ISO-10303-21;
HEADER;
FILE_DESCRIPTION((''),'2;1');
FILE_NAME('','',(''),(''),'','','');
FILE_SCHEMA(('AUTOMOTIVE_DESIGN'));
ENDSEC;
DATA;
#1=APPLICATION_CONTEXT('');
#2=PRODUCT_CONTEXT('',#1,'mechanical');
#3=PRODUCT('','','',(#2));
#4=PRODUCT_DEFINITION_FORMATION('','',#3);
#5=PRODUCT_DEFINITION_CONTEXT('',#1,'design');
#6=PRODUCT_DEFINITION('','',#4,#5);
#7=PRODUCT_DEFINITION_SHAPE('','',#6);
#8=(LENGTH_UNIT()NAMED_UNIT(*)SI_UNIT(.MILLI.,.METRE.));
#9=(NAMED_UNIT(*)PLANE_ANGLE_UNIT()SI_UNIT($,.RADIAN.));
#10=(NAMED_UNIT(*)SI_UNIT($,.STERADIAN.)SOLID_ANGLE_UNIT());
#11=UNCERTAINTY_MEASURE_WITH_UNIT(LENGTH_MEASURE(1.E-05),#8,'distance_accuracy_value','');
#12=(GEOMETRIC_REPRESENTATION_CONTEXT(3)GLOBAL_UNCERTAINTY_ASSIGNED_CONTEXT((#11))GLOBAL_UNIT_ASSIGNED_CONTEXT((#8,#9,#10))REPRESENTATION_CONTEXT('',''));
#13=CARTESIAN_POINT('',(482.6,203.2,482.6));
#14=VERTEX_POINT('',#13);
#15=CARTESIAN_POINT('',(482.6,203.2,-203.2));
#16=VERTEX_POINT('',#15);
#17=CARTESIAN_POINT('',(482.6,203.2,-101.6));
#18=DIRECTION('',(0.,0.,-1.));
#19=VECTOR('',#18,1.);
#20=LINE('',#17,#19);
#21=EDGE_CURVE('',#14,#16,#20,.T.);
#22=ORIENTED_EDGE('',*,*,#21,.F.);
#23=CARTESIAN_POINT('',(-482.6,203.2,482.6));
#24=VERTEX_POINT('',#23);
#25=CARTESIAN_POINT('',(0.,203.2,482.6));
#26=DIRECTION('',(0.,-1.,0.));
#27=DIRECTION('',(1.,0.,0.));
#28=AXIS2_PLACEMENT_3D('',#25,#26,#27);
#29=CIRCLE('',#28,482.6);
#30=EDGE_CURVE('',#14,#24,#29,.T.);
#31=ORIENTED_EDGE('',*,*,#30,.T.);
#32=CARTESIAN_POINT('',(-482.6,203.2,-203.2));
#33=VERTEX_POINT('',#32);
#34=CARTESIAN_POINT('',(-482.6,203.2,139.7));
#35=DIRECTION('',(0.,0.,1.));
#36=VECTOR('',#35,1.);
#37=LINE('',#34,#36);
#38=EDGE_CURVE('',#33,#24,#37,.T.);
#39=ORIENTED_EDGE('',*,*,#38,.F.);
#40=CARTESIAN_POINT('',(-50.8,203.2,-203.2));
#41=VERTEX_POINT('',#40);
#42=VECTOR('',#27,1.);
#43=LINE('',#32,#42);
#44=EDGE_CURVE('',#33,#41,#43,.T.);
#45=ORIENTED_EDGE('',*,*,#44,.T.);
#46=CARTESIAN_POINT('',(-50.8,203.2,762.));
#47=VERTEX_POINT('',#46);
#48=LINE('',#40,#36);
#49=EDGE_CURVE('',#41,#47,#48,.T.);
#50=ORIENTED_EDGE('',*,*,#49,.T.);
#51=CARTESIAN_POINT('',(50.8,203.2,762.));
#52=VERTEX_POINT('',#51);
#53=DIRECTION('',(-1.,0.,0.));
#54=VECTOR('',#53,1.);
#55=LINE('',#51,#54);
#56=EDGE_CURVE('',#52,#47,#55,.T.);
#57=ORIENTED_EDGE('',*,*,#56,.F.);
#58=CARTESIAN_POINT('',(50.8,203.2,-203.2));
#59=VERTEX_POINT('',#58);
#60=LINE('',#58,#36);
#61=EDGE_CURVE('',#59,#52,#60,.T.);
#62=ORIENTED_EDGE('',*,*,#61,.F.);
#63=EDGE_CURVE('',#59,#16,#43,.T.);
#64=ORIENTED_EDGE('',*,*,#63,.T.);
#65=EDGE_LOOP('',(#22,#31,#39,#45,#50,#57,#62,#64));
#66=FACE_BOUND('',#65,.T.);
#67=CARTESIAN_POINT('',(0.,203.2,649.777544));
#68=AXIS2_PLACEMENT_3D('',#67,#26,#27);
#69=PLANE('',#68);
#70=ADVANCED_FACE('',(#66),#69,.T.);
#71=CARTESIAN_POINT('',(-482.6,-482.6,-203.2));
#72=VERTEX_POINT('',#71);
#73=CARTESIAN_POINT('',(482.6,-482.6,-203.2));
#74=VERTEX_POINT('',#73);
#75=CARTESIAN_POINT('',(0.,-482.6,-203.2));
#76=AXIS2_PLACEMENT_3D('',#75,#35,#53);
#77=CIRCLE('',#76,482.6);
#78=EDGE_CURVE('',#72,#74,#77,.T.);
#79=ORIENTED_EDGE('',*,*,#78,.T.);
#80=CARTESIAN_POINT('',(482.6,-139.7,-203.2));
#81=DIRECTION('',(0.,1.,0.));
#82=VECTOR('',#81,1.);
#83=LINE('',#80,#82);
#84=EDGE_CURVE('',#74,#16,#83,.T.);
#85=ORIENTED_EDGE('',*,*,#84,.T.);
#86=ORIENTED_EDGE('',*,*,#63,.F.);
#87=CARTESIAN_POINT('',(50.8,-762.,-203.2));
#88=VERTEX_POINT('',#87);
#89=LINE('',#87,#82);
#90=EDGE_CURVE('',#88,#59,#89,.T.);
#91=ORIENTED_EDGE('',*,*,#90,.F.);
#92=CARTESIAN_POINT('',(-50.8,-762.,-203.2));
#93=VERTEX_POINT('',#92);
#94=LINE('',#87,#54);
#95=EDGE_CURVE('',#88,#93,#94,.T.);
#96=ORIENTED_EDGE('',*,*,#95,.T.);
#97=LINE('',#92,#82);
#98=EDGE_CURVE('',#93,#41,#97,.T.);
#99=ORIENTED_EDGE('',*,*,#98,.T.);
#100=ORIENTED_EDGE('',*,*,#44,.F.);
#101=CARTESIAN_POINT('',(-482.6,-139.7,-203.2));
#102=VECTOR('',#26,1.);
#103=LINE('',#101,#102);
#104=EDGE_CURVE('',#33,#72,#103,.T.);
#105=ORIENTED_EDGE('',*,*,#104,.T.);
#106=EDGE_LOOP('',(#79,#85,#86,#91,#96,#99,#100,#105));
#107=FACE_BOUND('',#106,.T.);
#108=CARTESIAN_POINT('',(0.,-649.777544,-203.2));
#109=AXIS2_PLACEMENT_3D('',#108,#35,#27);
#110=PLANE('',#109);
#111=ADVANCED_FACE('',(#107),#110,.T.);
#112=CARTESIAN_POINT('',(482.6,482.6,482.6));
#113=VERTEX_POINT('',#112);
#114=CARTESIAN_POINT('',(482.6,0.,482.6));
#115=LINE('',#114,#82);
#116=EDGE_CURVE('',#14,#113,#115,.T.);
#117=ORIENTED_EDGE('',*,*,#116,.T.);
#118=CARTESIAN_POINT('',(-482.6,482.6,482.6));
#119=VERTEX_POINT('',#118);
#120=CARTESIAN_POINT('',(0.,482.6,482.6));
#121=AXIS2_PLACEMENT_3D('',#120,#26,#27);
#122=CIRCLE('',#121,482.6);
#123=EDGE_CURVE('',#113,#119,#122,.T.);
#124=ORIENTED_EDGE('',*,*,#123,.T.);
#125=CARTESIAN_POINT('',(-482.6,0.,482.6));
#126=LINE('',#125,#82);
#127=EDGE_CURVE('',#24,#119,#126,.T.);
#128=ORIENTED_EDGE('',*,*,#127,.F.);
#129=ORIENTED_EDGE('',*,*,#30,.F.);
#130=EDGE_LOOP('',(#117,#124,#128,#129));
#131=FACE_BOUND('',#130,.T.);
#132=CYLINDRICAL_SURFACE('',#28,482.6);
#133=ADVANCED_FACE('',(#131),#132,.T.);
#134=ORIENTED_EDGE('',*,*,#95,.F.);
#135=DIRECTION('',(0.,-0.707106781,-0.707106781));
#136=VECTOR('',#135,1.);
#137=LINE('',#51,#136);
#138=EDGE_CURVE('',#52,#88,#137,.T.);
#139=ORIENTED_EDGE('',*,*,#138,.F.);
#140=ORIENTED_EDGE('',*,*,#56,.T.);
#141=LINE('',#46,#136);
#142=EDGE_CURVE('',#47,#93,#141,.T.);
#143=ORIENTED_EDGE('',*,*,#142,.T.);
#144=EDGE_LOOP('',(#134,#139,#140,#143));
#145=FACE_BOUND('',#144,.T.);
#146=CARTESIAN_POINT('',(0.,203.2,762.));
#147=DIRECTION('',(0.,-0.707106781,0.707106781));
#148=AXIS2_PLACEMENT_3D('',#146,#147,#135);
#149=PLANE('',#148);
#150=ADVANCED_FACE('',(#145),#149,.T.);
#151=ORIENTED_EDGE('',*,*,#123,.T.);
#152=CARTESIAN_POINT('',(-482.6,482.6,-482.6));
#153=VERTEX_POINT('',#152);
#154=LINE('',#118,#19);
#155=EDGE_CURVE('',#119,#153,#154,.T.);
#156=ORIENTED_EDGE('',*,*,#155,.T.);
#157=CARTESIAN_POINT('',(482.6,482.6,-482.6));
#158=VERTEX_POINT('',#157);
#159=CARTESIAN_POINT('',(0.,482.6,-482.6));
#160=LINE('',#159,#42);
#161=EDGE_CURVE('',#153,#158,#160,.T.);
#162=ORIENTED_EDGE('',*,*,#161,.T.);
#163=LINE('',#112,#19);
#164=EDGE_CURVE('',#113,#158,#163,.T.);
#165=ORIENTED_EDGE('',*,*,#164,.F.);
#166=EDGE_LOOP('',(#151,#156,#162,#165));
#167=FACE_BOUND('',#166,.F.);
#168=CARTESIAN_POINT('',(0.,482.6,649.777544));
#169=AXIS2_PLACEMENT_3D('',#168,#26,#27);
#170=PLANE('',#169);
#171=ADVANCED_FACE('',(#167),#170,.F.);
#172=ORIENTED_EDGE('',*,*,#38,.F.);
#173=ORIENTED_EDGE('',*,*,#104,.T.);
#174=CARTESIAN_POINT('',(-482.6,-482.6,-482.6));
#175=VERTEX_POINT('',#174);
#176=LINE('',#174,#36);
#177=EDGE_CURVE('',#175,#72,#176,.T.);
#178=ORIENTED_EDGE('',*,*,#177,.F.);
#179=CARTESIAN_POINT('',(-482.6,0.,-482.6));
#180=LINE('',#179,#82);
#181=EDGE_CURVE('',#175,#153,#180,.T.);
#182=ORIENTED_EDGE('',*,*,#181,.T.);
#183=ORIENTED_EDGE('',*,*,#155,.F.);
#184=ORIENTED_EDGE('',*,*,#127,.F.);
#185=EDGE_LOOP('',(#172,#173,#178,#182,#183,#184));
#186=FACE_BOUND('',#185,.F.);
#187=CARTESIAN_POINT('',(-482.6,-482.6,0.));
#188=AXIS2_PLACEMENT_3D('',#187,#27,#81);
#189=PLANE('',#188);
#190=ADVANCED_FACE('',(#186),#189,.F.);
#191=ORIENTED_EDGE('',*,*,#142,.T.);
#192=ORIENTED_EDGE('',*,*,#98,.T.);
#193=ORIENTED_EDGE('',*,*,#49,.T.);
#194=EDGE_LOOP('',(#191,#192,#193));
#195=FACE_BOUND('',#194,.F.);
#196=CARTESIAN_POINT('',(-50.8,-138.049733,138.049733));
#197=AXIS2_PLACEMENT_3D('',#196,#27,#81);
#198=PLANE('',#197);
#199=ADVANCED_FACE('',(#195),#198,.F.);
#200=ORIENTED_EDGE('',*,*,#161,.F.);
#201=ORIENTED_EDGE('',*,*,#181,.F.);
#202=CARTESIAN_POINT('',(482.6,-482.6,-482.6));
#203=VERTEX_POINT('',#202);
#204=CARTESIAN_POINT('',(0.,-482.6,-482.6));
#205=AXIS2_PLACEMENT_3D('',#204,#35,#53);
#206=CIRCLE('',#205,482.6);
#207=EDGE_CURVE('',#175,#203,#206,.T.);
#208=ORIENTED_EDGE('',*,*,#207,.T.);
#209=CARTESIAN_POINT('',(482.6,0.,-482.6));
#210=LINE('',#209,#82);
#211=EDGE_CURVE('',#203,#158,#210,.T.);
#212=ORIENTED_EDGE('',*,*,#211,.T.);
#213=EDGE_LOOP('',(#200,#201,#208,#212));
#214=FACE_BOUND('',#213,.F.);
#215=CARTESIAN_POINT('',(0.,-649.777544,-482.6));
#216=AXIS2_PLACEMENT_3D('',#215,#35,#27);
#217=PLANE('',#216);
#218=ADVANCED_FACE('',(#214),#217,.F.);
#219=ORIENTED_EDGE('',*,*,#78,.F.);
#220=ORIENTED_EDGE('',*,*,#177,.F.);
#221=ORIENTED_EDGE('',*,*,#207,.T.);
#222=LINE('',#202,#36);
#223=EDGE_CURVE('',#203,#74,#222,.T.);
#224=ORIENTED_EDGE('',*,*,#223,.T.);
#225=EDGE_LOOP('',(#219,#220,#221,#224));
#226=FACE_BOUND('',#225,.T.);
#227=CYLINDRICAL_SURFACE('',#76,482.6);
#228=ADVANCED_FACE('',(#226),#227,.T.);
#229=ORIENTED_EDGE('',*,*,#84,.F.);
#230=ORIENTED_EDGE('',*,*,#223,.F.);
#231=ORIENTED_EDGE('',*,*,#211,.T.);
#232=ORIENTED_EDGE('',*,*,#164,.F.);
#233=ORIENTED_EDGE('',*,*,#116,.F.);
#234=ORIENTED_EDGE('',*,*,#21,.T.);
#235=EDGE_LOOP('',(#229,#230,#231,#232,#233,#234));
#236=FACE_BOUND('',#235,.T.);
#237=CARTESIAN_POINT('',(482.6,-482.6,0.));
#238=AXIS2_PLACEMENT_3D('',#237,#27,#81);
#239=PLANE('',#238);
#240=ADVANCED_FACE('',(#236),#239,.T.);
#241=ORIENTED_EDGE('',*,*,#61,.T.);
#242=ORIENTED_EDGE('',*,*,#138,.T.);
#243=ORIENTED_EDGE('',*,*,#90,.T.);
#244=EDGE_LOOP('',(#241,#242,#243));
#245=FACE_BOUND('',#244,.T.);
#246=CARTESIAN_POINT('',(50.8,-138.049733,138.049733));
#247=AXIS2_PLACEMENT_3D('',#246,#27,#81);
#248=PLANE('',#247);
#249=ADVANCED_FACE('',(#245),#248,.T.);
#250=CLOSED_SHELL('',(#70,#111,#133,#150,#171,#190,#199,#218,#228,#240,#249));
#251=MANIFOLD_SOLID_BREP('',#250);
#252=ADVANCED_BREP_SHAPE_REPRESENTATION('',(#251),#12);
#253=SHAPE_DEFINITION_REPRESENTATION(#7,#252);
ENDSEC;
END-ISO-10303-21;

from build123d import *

# Parameters (mm, degrees)
F0_W     = 965.2
F0_H     = 965.2
F1_DEPTH = 482.6
F2_W     = 685.8
F2_H     = 685.8
F3_DEPTH = 965.201
F5_DEPTH = 279.4
F7_DEPTH = 279.4
F9_DEPTH = 50.8


with BuildPart() as f1:
    # F0 (on Top) → F1 (new body, symmetric)
    with BuildSketch(Plane.XY):
        Rectangle(F0_W, F0_H)
    extrude(amount=F1_DEPTH, both=True)

    # F2 (on face) → F3 (cut, through all)
    with BuildSketch(Plane(origin=(-482.6, 0, 0), x_dir=(0, -1, 0), z_dir=(-1, 0, 0))):
        with Locations((139.7, 139.7)):
            Rectangle(F2_W, F2_H)
    extrude(amount=-F3_DEPTH, mode=Mode.SUBTRACT)

    # F4 (on face) → F5 (join, through all)
    with BuildSketch(Plane.XZ.offset(-203.2)):
        with BuildLine():
            Line((-482.6, 482.6), (482.6, 482.6))
            ThreePointArc((482.6, 482.6), (0, 965.2), (-482.6, 482.6))
        make_face()
    extrude(amount=-F5_DEPTH)

    # F6 (on face) → F7 (join, through all)
    with BuildSketch(Plane.XY.offset(-203.2)):
        with BuildLine():
            Line((482.6, -482.6), (-482.6, -482.6))
            ThreePointArc((-482.6, -482.6), (0, -965.2), (482.6, -482.6))
        make_face()
    extrude(amount=-F7_DEPTH)

    # F8 (on Right) → F9 (join, symmetric)
    with BuildSketch(Plane.YZ):
        Polygon((-762, -203.2), (203.2, -203.2), (203.2, 762), align=None)
    extrude(amount=F9_DEPTH, both=True)


solid = f1.part
